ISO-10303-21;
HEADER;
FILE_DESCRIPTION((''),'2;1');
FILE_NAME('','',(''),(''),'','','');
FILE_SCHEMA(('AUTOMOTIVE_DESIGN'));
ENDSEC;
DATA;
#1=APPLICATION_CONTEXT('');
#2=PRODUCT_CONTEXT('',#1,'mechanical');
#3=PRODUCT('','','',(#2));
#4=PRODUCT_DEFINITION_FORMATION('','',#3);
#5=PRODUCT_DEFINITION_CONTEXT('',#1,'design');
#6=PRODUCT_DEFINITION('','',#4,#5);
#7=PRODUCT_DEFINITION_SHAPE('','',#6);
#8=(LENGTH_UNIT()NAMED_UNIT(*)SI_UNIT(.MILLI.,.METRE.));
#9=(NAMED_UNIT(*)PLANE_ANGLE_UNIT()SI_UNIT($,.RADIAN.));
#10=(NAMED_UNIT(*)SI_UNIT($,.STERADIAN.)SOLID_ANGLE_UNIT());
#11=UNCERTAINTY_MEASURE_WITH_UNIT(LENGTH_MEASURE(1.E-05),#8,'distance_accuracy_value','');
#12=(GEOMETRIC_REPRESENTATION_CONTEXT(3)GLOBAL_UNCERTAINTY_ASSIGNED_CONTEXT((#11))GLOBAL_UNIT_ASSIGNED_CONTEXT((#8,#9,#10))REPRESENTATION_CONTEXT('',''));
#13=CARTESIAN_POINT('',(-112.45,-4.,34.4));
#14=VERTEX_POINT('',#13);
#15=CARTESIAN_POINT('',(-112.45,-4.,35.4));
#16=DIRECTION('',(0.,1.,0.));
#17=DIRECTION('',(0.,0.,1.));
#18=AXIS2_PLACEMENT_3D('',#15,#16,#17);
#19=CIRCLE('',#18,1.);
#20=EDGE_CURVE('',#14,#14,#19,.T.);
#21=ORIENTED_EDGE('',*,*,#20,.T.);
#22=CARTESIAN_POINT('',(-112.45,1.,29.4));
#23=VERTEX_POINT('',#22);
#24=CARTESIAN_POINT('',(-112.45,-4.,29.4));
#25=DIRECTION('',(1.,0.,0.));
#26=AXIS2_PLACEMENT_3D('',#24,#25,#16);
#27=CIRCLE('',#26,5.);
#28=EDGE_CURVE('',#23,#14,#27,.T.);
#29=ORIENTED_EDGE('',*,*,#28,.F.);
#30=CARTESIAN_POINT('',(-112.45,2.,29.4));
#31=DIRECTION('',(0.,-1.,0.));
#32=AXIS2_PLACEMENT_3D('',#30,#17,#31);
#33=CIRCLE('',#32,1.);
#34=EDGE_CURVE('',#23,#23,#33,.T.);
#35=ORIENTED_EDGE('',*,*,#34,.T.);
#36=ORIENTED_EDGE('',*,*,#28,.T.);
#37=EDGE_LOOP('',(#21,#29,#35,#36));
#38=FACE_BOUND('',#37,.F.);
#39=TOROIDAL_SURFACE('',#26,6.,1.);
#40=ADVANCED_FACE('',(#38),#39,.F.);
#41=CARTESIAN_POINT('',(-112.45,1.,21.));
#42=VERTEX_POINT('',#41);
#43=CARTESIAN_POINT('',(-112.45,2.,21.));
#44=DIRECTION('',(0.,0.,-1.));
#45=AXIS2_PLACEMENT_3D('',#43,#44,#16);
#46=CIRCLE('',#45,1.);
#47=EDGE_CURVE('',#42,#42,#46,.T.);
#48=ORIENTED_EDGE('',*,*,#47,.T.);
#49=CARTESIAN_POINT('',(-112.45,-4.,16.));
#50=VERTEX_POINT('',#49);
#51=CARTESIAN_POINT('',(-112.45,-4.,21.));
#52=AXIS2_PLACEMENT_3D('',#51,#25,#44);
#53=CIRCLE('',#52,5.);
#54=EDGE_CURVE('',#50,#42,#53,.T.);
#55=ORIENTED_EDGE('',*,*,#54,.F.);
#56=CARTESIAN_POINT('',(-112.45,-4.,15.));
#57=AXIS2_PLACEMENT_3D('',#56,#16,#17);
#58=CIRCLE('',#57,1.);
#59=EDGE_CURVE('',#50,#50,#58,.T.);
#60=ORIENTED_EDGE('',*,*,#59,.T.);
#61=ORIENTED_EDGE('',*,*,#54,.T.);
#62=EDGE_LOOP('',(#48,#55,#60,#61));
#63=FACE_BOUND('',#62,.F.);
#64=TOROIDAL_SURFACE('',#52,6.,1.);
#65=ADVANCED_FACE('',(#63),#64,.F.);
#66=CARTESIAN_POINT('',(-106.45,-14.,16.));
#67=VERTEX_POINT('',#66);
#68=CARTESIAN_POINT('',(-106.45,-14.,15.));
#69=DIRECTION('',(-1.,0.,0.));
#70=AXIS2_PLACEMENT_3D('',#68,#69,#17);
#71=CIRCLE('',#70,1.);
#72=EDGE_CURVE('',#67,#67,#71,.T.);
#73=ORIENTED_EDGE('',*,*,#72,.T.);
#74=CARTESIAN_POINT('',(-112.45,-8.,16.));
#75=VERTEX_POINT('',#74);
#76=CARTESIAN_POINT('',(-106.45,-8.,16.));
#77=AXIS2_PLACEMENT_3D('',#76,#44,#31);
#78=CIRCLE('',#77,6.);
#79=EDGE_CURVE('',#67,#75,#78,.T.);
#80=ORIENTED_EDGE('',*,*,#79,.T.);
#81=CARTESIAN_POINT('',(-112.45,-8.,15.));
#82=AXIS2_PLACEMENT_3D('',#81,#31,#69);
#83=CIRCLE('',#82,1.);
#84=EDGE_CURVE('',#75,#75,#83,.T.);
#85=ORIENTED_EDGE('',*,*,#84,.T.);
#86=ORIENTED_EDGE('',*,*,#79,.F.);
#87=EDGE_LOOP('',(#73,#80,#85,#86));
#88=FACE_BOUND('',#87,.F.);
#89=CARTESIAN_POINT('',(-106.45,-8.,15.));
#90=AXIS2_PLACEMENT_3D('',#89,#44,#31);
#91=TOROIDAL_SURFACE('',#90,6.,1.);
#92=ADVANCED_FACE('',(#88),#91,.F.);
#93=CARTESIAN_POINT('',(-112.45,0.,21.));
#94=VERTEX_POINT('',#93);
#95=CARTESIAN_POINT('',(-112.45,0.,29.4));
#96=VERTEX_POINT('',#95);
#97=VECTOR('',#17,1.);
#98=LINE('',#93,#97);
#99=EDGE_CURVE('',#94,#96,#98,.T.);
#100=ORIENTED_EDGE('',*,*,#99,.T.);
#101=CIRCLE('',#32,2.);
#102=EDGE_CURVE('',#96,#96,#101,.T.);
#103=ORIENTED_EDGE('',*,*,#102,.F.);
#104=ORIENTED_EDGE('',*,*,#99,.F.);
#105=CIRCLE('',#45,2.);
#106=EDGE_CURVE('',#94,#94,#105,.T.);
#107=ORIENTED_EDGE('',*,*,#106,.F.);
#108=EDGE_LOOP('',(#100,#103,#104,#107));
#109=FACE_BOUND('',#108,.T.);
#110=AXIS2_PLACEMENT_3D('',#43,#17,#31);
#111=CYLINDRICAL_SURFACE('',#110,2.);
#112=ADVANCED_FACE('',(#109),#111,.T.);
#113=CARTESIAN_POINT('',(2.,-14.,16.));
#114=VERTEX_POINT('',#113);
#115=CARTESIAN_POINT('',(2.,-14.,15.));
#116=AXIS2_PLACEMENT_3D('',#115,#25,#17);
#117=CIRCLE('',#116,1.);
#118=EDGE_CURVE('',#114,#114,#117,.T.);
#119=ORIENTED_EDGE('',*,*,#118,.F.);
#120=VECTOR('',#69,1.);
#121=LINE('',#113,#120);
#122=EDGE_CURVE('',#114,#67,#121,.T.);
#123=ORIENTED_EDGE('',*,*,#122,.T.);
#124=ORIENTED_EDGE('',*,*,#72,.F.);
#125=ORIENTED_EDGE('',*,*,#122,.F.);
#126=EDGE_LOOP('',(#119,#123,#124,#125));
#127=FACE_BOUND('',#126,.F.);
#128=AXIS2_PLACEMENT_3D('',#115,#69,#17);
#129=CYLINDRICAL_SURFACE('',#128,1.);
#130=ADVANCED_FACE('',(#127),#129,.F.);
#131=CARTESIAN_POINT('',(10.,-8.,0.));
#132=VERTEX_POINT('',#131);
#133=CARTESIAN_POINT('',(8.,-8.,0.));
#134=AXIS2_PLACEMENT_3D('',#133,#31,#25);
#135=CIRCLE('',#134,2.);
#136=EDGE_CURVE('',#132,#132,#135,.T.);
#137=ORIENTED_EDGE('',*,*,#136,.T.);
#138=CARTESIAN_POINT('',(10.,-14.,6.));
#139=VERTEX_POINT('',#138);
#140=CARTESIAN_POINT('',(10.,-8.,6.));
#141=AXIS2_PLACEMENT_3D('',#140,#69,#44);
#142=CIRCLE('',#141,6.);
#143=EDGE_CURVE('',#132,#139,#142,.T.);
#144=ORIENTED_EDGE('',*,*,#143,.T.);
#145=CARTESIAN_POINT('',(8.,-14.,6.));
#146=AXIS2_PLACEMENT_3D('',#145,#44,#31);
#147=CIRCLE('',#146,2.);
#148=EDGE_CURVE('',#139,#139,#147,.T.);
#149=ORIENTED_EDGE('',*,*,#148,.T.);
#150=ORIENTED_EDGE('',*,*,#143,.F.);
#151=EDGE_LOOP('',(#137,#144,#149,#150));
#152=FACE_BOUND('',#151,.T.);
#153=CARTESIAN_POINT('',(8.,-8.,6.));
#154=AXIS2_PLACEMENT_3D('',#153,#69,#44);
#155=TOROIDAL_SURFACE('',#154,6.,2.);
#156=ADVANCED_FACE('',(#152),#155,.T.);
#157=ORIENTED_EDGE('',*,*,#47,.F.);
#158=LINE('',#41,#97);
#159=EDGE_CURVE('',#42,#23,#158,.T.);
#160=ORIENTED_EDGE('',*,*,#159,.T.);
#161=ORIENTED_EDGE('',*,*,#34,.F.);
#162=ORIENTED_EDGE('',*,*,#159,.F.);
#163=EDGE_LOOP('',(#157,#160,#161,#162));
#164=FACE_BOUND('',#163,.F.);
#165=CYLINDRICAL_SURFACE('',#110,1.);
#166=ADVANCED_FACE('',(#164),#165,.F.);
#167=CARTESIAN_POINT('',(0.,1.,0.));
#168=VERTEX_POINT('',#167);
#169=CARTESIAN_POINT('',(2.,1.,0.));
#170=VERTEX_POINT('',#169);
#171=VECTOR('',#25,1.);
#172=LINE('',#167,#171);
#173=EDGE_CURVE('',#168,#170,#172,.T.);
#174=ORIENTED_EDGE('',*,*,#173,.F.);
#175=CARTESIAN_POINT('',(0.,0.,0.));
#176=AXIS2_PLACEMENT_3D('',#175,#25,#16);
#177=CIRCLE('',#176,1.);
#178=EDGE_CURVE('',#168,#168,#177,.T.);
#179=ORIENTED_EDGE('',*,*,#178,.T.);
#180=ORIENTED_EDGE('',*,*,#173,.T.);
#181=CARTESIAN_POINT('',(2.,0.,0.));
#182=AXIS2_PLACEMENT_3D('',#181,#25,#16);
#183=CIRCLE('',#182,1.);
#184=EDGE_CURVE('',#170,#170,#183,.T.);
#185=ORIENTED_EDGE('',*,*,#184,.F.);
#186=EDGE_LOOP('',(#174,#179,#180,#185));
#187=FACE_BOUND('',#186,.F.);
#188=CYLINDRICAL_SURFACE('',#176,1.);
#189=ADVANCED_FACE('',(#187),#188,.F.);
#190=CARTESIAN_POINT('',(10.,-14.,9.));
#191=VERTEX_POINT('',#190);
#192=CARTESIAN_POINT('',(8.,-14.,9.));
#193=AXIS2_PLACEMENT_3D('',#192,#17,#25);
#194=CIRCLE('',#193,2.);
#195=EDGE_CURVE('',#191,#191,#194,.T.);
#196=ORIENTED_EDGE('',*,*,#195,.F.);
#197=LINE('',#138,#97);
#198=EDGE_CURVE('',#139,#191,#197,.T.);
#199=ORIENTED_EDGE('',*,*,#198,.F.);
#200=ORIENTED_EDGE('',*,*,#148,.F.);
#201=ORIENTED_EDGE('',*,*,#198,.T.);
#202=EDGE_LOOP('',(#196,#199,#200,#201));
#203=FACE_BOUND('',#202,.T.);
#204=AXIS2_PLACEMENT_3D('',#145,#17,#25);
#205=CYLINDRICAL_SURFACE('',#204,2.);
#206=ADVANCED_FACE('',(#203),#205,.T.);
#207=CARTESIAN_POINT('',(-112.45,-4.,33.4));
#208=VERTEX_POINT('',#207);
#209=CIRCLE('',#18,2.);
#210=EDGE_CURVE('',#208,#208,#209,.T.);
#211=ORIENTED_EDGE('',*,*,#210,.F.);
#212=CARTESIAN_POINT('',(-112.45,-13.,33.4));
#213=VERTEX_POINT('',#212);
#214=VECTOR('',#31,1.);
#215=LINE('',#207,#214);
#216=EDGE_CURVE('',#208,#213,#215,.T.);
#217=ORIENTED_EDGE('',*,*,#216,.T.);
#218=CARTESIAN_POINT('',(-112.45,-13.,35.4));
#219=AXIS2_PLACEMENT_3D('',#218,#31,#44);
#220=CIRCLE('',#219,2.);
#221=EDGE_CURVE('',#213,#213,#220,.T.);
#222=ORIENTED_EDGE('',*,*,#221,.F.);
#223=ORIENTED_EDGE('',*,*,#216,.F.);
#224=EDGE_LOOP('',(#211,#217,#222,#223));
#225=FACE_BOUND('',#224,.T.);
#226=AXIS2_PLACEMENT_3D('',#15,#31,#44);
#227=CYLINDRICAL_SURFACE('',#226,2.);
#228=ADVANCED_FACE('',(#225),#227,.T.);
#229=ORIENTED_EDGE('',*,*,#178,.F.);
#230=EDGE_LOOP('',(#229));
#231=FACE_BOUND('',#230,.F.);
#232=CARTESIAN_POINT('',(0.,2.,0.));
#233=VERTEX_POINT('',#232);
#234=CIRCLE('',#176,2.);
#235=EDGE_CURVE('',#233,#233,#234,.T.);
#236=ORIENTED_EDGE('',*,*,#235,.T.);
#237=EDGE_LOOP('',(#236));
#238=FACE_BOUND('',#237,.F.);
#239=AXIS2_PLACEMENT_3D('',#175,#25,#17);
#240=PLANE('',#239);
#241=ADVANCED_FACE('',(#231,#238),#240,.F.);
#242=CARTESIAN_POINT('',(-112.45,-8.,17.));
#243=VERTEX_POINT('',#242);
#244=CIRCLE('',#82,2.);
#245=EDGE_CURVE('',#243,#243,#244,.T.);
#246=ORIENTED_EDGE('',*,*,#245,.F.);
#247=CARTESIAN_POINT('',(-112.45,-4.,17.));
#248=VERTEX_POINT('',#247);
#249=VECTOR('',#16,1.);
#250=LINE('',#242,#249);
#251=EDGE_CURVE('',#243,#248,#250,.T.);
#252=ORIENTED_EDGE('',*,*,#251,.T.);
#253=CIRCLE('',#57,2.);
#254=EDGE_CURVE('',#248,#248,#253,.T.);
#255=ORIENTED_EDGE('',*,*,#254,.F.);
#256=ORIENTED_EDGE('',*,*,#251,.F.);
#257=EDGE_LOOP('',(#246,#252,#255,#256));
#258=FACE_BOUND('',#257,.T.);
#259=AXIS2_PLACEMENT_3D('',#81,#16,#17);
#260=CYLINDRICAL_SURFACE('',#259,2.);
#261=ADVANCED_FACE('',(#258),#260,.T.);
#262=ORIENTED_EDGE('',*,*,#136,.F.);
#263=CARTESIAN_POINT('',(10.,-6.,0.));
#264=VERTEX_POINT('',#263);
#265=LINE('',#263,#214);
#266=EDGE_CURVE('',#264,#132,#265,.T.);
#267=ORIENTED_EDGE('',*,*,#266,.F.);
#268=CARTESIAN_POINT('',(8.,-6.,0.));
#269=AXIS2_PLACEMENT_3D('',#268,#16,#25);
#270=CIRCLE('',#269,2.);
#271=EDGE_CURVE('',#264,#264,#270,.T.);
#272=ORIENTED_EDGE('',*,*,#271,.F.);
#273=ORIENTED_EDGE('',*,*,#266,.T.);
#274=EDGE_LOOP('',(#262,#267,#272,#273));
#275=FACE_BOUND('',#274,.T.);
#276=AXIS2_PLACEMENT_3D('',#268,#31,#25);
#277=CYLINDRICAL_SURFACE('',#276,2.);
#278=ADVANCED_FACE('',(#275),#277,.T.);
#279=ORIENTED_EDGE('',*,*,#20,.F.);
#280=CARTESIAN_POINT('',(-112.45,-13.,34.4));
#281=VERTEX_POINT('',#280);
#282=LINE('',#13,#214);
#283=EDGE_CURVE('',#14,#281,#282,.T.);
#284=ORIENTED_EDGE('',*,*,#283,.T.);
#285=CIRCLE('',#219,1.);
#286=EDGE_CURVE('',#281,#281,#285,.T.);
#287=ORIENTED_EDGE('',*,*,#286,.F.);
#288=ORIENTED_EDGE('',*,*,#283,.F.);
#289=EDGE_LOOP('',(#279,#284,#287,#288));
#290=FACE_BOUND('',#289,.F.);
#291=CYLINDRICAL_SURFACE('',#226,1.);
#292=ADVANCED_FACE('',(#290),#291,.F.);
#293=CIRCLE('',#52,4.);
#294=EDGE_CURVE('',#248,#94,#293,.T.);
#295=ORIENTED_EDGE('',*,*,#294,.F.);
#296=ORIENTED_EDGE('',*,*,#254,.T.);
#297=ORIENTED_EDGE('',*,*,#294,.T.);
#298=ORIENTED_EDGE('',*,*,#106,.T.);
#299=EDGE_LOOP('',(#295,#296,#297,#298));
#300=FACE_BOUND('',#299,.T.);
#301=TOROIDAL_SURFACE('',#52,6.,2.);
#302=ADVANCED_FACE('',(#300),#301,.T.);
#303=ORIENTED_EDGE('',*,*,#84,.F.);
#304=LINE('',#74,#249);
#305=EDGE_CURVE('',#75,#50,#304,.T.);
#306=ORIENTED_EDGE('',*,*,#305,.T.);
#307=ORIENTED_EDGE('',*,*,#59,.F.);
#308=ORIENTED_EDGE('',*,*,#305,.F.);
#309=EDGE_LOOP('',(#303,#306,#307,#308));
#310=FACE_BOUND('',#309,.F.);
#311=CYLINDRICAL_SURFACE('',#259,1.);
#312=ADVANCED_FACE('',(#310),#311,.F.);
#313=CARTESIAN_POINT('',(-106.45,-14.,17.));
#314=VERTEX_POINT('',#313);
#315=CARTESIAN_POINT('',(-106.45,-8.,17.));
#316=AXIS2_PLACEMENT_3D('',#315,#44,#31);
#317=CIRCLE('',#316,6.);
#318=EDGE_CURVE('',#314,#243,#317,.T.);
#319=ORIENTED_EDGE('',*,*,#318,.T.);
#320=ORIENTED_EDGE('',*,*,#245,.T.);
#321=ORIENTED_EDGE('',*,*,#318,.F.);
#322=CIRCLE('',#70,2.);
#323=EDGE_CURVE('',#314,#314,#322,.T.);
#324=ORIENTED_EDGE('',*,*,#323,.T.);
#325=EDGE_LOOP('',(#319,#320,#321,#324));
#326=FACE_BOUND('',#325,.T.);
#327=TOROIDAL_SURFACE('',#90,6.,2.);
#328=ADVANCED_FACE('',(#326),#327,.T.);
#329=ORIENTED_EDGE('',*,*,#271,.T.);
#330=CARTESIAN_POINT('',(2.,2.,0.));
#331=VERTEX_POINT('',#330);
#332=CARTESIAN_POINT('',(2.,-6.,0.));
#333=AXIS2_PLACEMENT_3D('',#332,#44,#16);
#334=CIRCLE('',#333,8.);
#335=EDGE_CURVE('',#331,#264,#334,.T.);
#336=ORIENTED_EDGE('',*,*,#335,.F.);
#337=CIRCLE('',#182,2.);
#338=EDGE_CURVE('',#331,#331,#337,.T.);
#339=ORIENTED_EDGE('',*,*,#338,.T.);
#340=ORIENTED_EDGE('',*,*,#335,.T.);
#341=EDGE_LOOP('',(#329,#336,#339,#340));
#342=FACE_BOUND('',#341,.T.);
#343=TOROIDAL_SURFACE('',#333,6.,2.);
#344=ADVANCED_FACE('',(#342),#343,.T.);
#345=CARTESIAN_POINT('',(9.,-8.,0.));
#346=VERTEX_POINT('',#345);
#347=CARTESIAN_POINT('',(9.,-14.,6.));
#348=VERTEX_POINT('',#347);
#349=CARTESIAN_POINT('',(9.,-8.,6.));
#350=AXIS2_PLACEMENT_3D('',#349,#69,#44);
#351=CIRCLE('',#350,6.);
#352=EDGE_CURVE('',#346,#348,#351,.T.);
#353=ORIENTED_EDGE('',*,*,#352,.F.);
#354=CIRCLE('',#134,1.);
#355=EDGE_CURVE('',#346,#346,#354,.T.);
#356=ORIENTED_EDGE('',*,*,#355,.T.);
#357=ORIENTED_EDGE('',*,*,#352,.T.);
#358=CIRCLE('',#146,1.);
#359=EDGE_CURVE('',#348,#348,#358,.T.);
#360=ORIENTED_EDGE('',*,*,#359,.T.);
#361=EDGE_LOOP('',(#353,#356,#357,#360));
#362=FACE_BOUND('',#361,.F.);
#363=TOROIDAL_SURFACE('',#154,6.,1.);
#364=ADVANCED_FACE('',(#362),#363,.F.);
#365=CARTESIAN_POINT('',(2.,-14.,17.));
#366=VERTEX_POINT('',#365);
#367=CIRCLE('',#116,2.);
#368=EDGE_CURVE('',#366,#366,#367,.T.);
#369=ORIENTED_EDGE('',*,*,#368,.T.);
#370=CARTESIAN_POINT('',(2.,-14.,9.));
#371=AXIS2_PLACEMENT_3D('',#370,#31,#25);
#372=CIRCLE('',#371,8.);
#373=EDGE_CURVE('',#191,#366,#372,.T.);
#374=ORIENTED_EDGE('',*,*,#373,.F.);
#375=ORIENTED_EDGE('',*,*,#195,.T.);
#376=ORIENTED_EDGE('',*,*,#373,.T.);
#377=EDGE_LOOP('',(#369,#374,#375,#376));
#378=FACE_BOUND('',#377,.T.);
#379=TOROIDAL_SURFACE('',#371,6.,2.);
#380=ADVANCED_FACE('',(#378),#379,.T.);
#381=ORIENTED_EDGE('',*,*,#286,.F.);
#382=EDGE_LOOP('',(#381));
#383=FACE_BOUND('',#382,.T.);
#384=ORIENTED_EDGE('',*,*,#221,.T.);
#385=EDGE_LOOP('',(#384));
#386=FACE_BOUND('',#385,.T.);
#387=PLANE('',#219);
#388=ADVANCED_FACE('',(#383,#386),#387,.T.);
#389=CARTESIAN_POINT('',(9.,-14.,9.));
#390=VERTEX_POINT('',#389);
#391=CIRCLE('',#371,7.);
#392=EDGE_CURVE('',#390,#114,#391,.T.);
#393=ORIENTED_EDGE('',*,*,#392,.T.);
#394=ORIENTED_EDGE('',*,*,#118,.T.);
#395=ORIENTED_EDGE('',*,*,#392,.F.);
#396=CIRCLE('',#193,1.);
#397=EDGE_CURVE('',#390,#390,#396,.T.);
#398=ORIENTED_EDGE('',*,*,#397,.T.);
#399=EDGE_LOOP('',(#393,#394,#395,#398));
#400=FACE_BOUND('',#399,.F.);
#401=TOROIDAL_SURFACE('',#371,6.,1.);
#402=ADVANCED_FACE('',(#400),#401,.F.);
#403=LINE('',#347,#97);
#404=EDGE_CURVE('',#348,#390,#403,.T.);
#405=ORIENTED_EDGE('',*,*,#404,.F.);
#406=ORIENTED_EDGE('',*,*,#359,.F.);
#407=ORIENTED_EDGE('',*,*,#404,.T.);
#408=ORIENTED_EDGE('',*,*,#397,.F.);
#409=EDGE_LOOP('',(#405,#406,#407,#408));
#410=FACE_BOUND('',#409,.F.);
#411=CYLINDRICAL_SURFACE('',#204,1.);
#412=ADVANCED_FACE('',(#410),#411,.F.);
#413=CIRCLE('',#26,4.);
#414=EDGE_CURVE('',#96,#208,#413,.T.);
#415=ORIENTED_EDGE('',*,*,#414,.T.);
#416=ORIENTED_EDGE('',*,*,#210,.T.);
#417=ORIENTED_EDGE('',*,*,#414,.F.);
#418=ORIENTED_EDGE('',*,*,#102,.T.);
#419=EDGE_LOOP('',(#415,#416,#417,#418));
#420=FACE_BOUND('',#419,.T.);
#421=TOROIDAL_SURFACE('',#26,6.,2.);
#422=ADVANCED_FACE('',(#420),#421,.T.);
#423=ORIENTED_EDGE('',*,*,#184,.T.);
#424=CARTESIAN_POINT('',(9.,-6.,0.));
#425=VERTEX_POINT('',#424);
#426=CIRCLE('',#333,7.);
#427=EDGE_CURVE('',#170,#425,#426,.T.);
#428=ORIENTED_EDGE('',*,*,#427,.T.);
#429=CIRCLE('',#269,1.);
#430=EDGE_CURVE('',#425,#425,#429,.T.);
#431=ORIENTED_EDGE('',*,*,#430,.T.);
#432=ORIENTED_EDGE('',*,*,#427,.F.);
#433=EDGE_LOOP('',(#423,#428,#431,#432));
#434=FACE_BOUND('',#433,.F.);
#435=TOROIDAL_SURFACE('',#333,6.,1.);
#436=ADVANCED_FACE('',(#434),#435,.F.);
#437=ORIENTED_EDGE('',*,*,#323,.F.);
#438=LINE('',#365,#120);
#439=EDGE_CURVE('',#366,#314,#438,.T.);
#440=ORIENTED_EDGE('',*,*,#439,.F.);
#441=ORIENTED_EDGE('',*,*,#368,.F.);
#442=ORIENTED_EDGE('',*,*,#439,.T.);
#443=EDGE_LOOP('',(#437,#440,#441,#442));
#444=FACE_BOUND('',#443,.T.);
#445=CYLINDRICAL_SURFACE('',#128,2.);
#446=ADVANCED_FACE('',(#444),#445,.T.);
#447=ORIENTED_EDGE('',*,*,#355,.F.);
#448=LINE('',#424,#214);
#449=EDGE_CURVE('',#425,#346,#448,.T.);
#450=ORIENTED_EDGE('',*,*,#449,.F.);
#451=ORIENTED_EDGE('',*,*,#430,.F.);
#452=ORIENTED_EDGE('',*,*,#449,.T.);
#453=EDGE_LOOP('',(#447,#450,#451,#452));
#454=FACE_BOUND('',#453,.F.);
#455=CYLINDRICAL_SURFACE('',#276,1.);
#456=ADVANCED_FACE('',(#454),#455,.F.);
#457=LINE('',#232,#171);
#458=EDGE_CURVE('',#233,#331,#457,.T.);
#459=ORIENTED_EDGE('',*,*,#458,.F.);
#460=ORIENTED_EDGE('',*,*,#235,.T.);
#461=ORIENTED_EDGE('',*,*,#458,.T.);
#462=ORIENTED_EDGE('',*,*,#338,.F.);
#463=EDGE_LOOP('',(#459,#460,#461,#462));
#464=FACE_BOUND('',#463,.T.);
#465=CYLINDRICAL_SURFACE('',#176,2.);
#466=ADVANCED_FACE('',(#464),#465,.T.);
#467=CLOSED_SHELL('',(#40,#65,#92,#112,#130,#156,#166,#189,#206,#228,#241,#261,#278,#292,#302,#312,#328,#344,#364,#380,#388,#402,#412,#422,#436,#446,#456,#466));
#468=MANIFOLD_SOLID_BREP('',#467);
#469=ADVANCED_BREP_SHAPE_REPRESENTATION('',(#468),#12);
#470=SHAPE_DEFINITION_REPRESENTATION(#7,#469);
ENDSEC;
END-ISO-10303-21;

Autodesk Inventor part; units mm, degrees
ref_plane "YZ Plane" through (0, 0, 0) normal (1, 0, 0) x (0, 1, 0)
ref_plane "XZ Plane" through (0, 0, 0) normal (0, 1, 0) x (-1, 0, 0)
ref_plane "XY Plane" through (0, 0, 0) normal (0, 0, 1) x (1, 0, 0)
sketch "Sketch1" plane through (0, 0, 0) normal (1, 0, 0) x (0, 1, 0)
  circle A0 centre (0, 0) radius 2
  circle A1 centre (0, 0) radius 1
  dimension "d0" = 4
  dimension "d1" = 2
sketch3d "3D Sketch1"
  line L0 (0, 0, 0) -> (2, 0, 0)
  arc A0 (2, 0, 0) -> (8, -6, 0) centre (2, -6, 0) ccw
  line L1 (8, -6, 0) -> (8, -8, 0)
  arc A1 (8, -8, 0) -> (8, -14, 6) centre (8, -8, 6) ccw
  line L2 (8, -14, 6) -> (8, -14, 9)
  arc A2 (8, -14, 9) -> (2, -14, 15) centre (2, -14, 9) ccw
  line L3 (2, -14, 15) -> (-106.45, -14, 15)
  arc A3 (-106.45, -14, 15) -> (-112.45, -8, 15) centre (-106.45, -8, 15) ccw
  line L4 (-112.45, -8, 15) -> (-112.45, -4, 15)
  arc A4 (-112.45, -4, 15) -> (-112.45, 2, 21) centre (-112.45, -4, 21) ccw
  line L5 (-112.45, 2, 21) -> (-112.45, 2, 29.4)
  arc A5 (-112.45, 2, 29.4) -> (-112.45, -4, 35.4) centre (-112.45, -4, 29.4) ccw
  line L6 (-112.45, -4, 35.4) -> (-112.45, -13, 35.4)
  dimension "d2" = 14
  dimension "d3" = 8
  dimension "d4" = 15
  dimension "d5" = 120.45
  dimension "d6" = 6
  dimension "d7" = 6
  dimension "d8" = 6
  dimension "d11" = 16
  dimension "d12" = 20.4
  dimension "d13" = 15
  dimension "d14" = 6
  dimension "d15" = 6
  dimension "d16" = 6
sweep "Sweep1" add profiles "Sketch1" path "3D Sketch1"
equation "\"d7\" = d6"
equation "\"d8\" = d6"
equation "\"d15\" = d14"
equation "\"d16\" = d14"
properties part number "CH_01_0037_syringe_pump_hose"
